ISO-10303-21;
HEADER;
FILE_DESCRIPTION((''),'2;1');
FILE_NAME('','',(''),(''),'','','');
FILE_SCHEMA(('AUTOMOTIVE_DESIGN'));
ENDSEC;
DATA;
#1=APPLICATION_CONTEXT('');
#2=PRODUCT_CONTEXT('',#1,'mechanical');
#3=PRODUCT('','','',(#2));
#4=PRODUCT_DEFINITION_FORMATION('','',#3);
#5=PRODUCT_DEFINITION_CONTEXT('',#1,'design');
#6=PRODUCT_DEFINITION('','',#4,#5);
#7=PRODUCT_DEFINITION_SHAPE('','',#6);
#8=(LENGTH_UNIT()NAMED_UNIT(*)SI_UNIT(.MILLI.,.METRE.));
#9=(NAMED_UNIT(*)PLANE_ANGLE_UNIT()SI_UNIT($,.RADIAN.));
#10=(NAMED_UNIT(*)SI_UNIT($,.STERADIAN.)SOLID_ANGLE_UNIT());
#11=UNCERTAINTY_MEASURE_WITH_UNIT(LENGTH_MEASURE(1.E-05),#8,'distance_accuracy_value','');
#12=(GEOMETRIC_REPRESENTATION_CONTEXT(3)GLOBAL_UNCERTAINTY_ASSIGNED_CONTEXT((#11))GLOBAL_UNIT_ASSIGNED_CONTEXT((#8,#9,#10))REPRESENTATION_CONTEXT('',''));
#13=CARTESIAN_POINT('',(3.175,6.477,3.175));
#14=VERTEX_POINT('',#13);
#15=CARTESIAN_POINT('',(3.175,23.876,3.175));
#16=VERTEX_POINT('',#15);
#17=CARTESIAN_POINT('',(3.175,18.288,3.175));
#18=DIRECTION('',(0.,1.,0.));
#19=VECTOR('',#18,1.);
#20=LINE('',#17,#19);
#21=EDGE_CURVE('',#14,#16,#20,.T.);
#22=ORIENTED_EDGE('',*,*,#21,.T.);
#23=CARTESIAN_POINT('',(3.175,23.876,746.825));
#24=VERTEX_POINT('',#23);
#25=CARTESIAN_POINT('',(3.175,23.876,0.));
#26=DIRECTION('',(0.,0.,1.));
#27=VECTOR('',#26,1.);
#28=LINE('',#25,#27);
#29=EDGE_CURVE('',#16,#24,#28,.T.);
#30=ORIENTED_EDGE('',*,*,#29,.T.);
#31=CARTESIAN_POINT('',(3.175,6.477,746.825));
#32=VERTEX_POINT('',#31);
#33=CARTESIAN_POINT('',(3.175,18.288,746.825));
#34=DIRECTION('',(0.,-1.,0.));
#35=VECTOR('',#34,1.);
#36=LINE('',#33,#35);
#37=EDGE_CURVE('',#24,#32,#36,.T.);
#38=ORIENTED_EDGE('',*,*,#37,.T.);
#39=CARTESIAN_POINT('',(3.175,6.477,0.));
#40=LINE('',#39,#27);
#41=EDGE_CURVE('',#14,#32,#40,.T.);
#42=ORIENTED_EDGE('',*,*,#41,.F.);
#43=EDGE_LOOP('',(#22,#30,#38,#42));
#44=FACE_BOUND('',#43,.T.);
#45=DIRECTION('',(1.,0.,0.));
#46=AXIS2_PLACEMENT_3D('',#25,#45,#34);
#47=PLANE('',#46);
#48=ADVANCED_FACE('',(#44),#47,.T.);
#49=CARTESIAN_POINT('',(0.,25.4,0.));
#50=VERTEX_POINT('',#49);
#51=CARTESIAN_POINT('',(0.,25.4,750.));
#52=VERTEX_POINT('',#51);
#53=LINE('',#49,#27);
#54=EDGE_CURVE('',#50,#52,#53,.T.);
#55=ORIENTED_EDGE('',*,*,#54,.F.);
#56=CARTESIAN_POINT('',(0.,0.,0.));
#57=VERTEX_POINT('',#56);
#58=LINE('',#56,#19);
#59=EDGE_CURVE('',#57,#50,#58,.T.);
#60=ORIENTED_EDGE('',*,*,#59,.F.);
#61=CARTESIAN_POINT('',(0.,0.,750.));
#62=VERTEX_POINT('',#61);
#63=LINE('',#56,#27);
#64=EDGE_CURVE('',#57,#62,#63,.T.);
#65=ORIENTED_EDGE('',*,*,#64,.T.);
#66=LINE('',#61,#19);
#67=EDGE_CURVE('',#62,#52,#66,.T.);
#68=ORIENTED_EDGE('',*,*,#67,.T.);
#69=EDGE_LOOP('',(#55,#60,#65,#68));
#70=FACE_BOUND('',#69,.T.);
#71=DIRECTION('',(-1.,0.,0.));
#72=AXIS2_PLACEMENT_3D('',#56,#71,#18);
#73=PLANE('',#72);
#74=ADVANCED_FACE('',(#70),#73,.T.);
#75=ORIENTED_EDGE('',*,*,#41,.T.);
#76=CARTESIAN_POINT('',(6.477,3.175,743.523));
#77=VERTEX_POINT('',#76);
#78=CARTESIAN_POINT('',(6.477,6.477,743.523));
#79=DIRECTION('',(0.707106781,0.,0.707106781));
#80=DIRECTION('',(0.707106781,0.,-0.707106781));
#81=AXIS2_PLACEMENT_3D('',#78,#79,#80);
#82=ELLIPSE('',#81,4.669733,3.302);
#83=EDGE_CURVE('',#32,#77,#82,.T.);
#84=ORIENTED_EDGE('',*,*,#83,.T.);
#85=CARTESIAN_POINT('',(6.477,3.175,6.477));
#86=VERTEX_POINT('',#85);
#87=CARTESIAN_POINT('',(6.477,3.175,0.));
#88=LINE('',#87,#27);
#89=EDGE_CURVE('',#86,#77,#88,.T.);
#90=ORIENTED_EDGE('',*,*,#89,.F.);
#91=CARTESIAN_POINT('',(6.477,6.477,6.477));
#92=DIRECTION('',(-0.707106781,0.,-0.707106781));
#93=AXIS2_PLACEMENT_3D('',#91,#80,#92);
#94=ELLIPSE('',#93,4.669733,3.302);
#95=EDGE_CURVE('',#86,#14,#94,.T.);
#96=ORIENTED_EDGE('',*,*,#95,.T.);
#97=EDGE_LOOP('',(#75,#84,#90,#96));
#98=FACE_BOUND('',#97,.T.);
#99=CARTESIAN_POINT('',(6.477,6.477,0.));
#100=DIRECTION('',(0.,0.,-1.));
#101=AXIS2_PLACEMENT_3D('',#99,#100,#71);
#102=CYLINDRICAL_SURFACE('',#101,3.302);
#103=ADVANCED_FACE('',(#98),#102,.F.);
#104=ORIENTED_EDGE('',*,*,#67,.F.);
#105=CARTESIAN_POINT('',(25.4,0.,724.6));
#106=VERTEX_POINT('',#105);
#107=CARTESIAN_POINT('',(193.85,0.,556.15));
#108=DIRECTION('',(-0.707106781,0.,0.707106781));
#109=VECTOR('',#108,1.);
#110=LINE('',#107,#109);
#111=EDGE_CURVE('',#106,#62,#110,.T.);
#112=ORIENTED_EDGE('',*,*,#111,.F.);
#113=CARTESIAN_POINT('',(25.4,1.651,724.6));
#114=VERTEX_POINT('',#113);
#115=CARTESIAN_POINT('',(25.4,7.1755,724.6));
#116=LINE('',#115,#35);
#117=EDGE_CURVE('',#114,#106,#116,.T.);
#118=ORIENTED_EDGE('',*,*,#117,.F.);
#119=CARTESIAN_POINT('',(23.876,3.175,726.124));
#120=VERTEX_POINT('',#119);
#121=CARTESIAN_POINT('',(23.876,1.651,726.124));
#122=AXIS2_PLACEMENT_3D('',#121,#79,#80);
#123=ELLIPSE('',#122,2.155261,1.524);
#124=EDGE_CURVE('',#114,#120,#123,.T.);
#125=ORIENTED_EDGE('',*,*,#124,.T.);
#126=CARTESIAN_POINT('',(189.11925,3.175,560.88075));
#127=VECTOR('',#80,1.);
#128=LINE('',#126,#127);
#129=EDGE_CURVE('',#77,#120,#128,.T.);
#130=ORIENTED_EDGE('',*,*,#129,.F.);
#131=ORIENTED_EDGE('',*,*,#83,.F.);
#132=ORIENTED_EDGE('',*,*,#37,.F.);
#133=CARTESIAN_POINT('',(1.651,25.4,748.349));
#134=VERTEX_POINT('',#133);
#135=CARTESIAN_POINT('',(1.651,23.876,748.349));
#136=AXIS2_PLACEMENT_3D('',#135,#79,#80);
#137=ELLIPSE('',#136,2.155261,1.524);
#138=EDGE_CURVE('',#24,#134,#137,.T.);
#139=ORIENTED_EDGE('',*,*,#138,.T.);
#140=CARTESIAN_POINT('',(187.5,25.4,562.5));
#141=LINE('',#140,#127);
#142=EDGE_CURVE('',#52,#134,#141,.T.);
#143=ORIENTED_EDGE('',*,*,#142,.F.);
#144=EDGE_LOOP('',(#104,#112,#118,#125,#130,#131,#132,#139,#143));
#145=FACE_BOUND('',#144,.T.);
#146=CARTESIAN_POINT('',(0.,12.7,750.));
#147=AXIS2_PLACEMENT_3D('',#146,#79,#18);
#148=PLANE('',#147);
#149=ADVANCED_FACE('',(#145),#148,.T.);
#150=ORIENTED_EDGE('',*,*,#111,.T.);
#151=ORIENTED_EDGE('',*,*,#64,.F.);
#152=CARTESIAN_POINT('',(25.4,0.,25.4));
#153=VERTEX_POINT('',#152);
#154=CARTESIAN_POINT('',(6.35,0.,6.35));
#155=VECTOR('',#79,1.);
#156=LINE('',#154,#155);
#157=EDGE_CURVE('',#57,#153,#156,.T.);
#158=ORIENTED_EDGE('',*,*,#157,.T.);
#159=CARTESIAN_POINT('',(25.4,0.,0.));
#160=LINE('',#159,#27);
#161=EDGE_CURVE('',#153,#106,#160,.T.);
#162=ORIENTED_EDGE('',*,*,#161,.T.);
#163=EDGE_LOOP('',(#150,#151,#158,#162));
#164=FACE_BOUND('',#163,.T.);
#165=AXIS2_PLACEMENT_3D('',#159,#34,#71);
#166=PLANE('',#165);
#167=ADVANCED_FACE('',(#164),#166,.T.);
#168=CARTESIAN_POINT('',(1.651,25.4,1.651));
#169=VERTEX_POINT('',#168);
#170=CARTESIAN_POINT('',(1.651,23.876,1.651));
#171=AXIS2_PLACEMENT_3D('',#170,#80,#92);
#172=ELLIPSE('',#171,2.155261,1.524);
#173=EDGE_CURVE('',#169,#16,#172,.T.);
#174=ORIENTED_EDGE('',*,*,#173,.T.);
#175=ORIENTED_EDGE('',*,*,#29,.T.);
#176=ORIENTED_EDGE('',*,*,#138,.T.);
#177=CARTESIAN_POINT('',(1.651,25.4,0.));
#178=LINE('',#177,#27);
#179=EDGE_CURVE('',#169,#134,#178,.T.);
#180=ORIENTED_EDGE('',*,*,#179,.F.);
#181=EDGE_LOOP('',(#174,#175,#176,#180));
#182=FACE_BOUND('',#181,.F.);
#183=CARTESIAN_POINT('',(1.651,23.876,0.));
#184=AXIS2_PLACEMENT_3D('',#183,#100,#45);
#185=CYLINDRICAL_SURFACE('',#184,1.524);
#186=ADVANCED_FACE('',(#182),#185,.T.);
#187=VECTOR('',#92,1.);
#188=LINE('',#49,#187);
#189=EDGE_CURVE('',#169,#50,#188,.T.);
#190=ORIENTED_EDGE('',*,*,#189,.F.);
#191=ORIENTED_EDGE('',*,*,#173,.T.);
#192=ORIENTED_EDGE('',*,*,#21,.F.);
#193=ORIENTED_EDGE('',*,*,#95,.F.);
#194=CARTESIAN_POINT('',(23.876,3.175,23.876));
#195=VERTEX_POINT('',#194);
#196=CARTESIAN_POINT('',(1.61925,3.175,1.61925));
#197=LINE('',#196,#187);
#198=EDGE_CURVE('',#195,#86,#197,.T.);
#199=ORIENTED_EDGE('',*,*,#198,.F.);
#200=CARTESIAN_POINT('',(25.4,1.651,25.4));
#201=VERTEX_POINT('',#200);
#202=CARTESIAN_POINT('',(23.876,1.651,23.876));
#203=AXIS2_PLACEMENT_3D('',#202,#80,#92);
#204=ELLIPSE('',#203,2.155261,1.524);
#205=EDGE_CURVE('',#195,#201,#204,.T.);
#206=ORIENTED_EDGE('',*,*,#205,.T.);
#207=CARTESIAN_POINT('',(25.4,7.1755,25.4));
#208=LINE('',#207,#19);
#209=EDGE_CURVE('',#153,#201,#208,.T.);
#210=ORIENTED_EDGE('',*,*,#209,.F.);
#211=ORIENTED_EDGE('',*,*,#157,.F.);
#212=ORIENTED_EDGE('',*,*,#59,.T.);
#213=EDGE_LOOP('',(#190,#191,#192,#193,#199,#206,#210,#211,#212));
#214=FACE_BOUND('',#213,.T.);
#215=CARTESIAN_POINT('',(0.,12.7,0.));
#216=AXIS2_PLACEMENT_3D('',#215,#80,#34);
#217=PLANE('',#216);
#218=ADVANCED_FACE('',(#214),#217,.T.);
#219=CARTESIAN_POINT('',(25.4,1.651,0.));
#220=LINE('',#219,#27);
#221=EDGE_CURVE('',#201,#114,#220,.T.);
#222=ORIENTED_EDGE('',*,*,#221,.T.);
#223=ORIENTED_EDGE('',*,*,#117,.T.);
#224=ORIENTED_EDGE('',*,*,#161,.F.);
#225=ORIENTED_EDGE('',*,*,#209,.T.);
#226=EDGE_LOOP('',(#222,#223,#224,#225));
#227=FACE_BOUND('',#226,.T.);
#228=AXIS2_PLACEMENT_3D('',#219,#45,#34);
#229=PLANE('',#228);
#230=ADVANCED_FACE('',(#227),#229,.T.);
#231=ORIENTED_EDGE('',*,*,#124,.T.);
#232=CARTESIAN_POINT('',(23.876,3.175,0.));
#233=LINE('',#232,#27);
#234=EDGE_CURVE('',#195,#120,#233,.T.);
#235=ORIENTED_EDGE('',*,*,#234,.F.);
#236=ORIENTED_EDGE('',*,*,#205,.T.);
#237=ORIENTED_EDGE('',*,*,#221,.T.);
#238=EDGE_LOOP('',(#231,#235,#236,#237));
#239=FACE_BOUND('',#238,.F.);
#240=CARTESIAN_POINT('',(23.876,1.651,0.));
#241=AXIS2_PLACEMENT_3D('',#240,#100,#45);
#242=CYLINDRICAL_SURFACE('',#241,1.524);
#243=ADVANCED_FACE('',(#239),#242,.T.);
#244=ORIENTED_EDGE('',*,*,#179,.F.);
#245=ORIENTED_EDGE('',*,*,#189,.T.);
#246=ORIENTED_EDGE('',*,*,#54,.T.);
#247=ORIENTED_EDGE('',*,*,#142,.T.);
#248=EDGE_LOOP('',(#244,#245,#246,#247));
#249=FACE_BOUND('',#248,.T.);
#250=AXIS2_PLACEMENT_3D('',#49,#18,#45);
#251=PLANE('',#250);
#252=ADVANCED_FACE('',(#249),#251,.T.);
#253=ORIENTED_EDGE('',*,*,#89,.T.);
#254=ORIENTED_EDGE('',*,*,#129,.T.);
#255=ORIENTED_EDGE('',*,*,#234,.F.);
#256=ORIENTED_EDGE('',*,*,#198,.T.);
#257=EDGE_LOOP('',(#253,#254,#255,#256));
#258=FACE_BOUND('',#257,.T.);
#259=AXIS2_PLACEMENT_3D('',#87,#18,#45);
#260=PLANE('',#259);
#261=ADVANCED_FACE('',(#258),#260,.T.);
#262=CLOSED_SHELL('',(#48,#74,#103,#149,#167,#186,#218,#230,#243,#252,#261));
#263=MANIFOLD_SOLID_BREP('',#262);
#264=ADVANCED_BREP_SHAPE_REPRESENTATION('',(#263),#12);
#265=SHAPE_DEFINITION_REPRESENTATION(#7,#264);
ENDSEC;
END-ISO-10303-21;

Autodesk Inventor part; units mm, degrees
ref_plane "Start Plane" through (0, 0, 0) normal (0, 0, 1) x (1, 0, 0)
ref_plane "End Plane" through (0, 0, 750) normal (0, 0, 1) x (1, 0, 0)
sketch "Sketch" plane through (0, 0, 0) normal (0, 0, 1) x (1, 0, 0)
  line L0 (25.4, 0) -> (0, 0)
  line L1 (0, 0) -> (0, 25.4)
  line L2 (0, 25.4) -> (1.651, 25.4)
  line L3 (3.175, 23.876) -> (3.175, 6.477)
  line L4 (6.477, 3.175) -> (23.876, 3.175)
  line L5 (25.4, 1.651) -> (25.4, 0)
  line L6 (0, -11.0414) -> (0, 31.5385) construction
  line L7 (-11.0414, 0) -> (31.5385, 0) construction
  arc A0 (3.175, 6.477) -> (6.477, 3.175) centre (6.477, 6.477) ccw
  arc A1 (3.175, 23.876) -> (1.651, 25.4) centre (1.651, 23.876) ccw
  arc A2 (25.4, 1.651) -> (23.876, 3.175) centre (23.876, 1.651) ccw
  line L8 (0, 40.0545) -> (0, -19.5574) construction
  line L9 (-19.5574, 0) -> (40.0545, 0) construction
  point P0 (3.175, 25.4)
  point P1 (3.175, 3.175)
  point P2 (25.4, 3.175)
  dimension "d0" = 25.4
  dimension "d1" = 25.4
  dimension "d2" = 3.175
  dimension "d3" = 3.175
  dimension "d10" = 0
  dimension "d11" = 0
  dimension "d14" = 3.302
  dimension "d15" = 1.524
extrude "Body" add sketch "Sketch" along normal up to surface (750 mm away) from surface at 0
sketch "Sketch3" plane through (0, 0, 0) normal (0, 0, 1) x (1, 0, 0)
  line L0 (0, 0) -> (10, 0)
ref_plane "Work Plane3" through (0, 0, 0) normal (0, -1, 0) x (1, 0, 0)
ref_plane "Work Plane4" through (0, 12.7, 0) normal (0.7071, 0, -0.7071) x (-0.7071, 0, -0.7071)
split "Split1" plane through (0, 12.7, 0) removes the side toward (0.7071, 0, -0.7071)
ref_plane "Work Plane5" through (0, 12.7, 750) normal (0.7071, 0, 0.7071) x (0.7071, 0, -0.7071)
split "Split2" plane through (0, 12.7, 750) removes the side toward (0.7071, 0, 0.7071)
sketch "Sketch4" plane through (0, 0, 0) normal (0, -1, 0) x (1, 0, 0)
  line L0 (-2, 0) -> (12, 0) projected
  line L1 (-2, 750) -> (12, 750) projected
  dimension "d17" = 750
equation "\"d0\" = G_H"
equation "\"d1\" = G_H"
equation "\"d2\" = G_T"
equation "\"d3\" = G_T"
equation "\"d14\" = G_IR"
equation "\"d15\" = G_ER"
equation "\"d4\" = G_L"
equation "\"G_H\" = 25.4"
equation "\"G_T\" = 3.175"
equation "\"G_ER\" = 1.524"
equation "\"G_IR\" = 3.302"
equation "\"G_L\" = d17"
equation "\"ex\" = 0"
equation "\"G_OFFSET_START\" = 0"
equation "\"G_OFFSET_END\" = 0"
equation "\"d13\" = G_OFFSET_END + B_L"
equation "\"B_L\" = 750"
properties part number "AISC - L 1 x 1 x 1/8 - 29.528" material "Steel, Mild"
